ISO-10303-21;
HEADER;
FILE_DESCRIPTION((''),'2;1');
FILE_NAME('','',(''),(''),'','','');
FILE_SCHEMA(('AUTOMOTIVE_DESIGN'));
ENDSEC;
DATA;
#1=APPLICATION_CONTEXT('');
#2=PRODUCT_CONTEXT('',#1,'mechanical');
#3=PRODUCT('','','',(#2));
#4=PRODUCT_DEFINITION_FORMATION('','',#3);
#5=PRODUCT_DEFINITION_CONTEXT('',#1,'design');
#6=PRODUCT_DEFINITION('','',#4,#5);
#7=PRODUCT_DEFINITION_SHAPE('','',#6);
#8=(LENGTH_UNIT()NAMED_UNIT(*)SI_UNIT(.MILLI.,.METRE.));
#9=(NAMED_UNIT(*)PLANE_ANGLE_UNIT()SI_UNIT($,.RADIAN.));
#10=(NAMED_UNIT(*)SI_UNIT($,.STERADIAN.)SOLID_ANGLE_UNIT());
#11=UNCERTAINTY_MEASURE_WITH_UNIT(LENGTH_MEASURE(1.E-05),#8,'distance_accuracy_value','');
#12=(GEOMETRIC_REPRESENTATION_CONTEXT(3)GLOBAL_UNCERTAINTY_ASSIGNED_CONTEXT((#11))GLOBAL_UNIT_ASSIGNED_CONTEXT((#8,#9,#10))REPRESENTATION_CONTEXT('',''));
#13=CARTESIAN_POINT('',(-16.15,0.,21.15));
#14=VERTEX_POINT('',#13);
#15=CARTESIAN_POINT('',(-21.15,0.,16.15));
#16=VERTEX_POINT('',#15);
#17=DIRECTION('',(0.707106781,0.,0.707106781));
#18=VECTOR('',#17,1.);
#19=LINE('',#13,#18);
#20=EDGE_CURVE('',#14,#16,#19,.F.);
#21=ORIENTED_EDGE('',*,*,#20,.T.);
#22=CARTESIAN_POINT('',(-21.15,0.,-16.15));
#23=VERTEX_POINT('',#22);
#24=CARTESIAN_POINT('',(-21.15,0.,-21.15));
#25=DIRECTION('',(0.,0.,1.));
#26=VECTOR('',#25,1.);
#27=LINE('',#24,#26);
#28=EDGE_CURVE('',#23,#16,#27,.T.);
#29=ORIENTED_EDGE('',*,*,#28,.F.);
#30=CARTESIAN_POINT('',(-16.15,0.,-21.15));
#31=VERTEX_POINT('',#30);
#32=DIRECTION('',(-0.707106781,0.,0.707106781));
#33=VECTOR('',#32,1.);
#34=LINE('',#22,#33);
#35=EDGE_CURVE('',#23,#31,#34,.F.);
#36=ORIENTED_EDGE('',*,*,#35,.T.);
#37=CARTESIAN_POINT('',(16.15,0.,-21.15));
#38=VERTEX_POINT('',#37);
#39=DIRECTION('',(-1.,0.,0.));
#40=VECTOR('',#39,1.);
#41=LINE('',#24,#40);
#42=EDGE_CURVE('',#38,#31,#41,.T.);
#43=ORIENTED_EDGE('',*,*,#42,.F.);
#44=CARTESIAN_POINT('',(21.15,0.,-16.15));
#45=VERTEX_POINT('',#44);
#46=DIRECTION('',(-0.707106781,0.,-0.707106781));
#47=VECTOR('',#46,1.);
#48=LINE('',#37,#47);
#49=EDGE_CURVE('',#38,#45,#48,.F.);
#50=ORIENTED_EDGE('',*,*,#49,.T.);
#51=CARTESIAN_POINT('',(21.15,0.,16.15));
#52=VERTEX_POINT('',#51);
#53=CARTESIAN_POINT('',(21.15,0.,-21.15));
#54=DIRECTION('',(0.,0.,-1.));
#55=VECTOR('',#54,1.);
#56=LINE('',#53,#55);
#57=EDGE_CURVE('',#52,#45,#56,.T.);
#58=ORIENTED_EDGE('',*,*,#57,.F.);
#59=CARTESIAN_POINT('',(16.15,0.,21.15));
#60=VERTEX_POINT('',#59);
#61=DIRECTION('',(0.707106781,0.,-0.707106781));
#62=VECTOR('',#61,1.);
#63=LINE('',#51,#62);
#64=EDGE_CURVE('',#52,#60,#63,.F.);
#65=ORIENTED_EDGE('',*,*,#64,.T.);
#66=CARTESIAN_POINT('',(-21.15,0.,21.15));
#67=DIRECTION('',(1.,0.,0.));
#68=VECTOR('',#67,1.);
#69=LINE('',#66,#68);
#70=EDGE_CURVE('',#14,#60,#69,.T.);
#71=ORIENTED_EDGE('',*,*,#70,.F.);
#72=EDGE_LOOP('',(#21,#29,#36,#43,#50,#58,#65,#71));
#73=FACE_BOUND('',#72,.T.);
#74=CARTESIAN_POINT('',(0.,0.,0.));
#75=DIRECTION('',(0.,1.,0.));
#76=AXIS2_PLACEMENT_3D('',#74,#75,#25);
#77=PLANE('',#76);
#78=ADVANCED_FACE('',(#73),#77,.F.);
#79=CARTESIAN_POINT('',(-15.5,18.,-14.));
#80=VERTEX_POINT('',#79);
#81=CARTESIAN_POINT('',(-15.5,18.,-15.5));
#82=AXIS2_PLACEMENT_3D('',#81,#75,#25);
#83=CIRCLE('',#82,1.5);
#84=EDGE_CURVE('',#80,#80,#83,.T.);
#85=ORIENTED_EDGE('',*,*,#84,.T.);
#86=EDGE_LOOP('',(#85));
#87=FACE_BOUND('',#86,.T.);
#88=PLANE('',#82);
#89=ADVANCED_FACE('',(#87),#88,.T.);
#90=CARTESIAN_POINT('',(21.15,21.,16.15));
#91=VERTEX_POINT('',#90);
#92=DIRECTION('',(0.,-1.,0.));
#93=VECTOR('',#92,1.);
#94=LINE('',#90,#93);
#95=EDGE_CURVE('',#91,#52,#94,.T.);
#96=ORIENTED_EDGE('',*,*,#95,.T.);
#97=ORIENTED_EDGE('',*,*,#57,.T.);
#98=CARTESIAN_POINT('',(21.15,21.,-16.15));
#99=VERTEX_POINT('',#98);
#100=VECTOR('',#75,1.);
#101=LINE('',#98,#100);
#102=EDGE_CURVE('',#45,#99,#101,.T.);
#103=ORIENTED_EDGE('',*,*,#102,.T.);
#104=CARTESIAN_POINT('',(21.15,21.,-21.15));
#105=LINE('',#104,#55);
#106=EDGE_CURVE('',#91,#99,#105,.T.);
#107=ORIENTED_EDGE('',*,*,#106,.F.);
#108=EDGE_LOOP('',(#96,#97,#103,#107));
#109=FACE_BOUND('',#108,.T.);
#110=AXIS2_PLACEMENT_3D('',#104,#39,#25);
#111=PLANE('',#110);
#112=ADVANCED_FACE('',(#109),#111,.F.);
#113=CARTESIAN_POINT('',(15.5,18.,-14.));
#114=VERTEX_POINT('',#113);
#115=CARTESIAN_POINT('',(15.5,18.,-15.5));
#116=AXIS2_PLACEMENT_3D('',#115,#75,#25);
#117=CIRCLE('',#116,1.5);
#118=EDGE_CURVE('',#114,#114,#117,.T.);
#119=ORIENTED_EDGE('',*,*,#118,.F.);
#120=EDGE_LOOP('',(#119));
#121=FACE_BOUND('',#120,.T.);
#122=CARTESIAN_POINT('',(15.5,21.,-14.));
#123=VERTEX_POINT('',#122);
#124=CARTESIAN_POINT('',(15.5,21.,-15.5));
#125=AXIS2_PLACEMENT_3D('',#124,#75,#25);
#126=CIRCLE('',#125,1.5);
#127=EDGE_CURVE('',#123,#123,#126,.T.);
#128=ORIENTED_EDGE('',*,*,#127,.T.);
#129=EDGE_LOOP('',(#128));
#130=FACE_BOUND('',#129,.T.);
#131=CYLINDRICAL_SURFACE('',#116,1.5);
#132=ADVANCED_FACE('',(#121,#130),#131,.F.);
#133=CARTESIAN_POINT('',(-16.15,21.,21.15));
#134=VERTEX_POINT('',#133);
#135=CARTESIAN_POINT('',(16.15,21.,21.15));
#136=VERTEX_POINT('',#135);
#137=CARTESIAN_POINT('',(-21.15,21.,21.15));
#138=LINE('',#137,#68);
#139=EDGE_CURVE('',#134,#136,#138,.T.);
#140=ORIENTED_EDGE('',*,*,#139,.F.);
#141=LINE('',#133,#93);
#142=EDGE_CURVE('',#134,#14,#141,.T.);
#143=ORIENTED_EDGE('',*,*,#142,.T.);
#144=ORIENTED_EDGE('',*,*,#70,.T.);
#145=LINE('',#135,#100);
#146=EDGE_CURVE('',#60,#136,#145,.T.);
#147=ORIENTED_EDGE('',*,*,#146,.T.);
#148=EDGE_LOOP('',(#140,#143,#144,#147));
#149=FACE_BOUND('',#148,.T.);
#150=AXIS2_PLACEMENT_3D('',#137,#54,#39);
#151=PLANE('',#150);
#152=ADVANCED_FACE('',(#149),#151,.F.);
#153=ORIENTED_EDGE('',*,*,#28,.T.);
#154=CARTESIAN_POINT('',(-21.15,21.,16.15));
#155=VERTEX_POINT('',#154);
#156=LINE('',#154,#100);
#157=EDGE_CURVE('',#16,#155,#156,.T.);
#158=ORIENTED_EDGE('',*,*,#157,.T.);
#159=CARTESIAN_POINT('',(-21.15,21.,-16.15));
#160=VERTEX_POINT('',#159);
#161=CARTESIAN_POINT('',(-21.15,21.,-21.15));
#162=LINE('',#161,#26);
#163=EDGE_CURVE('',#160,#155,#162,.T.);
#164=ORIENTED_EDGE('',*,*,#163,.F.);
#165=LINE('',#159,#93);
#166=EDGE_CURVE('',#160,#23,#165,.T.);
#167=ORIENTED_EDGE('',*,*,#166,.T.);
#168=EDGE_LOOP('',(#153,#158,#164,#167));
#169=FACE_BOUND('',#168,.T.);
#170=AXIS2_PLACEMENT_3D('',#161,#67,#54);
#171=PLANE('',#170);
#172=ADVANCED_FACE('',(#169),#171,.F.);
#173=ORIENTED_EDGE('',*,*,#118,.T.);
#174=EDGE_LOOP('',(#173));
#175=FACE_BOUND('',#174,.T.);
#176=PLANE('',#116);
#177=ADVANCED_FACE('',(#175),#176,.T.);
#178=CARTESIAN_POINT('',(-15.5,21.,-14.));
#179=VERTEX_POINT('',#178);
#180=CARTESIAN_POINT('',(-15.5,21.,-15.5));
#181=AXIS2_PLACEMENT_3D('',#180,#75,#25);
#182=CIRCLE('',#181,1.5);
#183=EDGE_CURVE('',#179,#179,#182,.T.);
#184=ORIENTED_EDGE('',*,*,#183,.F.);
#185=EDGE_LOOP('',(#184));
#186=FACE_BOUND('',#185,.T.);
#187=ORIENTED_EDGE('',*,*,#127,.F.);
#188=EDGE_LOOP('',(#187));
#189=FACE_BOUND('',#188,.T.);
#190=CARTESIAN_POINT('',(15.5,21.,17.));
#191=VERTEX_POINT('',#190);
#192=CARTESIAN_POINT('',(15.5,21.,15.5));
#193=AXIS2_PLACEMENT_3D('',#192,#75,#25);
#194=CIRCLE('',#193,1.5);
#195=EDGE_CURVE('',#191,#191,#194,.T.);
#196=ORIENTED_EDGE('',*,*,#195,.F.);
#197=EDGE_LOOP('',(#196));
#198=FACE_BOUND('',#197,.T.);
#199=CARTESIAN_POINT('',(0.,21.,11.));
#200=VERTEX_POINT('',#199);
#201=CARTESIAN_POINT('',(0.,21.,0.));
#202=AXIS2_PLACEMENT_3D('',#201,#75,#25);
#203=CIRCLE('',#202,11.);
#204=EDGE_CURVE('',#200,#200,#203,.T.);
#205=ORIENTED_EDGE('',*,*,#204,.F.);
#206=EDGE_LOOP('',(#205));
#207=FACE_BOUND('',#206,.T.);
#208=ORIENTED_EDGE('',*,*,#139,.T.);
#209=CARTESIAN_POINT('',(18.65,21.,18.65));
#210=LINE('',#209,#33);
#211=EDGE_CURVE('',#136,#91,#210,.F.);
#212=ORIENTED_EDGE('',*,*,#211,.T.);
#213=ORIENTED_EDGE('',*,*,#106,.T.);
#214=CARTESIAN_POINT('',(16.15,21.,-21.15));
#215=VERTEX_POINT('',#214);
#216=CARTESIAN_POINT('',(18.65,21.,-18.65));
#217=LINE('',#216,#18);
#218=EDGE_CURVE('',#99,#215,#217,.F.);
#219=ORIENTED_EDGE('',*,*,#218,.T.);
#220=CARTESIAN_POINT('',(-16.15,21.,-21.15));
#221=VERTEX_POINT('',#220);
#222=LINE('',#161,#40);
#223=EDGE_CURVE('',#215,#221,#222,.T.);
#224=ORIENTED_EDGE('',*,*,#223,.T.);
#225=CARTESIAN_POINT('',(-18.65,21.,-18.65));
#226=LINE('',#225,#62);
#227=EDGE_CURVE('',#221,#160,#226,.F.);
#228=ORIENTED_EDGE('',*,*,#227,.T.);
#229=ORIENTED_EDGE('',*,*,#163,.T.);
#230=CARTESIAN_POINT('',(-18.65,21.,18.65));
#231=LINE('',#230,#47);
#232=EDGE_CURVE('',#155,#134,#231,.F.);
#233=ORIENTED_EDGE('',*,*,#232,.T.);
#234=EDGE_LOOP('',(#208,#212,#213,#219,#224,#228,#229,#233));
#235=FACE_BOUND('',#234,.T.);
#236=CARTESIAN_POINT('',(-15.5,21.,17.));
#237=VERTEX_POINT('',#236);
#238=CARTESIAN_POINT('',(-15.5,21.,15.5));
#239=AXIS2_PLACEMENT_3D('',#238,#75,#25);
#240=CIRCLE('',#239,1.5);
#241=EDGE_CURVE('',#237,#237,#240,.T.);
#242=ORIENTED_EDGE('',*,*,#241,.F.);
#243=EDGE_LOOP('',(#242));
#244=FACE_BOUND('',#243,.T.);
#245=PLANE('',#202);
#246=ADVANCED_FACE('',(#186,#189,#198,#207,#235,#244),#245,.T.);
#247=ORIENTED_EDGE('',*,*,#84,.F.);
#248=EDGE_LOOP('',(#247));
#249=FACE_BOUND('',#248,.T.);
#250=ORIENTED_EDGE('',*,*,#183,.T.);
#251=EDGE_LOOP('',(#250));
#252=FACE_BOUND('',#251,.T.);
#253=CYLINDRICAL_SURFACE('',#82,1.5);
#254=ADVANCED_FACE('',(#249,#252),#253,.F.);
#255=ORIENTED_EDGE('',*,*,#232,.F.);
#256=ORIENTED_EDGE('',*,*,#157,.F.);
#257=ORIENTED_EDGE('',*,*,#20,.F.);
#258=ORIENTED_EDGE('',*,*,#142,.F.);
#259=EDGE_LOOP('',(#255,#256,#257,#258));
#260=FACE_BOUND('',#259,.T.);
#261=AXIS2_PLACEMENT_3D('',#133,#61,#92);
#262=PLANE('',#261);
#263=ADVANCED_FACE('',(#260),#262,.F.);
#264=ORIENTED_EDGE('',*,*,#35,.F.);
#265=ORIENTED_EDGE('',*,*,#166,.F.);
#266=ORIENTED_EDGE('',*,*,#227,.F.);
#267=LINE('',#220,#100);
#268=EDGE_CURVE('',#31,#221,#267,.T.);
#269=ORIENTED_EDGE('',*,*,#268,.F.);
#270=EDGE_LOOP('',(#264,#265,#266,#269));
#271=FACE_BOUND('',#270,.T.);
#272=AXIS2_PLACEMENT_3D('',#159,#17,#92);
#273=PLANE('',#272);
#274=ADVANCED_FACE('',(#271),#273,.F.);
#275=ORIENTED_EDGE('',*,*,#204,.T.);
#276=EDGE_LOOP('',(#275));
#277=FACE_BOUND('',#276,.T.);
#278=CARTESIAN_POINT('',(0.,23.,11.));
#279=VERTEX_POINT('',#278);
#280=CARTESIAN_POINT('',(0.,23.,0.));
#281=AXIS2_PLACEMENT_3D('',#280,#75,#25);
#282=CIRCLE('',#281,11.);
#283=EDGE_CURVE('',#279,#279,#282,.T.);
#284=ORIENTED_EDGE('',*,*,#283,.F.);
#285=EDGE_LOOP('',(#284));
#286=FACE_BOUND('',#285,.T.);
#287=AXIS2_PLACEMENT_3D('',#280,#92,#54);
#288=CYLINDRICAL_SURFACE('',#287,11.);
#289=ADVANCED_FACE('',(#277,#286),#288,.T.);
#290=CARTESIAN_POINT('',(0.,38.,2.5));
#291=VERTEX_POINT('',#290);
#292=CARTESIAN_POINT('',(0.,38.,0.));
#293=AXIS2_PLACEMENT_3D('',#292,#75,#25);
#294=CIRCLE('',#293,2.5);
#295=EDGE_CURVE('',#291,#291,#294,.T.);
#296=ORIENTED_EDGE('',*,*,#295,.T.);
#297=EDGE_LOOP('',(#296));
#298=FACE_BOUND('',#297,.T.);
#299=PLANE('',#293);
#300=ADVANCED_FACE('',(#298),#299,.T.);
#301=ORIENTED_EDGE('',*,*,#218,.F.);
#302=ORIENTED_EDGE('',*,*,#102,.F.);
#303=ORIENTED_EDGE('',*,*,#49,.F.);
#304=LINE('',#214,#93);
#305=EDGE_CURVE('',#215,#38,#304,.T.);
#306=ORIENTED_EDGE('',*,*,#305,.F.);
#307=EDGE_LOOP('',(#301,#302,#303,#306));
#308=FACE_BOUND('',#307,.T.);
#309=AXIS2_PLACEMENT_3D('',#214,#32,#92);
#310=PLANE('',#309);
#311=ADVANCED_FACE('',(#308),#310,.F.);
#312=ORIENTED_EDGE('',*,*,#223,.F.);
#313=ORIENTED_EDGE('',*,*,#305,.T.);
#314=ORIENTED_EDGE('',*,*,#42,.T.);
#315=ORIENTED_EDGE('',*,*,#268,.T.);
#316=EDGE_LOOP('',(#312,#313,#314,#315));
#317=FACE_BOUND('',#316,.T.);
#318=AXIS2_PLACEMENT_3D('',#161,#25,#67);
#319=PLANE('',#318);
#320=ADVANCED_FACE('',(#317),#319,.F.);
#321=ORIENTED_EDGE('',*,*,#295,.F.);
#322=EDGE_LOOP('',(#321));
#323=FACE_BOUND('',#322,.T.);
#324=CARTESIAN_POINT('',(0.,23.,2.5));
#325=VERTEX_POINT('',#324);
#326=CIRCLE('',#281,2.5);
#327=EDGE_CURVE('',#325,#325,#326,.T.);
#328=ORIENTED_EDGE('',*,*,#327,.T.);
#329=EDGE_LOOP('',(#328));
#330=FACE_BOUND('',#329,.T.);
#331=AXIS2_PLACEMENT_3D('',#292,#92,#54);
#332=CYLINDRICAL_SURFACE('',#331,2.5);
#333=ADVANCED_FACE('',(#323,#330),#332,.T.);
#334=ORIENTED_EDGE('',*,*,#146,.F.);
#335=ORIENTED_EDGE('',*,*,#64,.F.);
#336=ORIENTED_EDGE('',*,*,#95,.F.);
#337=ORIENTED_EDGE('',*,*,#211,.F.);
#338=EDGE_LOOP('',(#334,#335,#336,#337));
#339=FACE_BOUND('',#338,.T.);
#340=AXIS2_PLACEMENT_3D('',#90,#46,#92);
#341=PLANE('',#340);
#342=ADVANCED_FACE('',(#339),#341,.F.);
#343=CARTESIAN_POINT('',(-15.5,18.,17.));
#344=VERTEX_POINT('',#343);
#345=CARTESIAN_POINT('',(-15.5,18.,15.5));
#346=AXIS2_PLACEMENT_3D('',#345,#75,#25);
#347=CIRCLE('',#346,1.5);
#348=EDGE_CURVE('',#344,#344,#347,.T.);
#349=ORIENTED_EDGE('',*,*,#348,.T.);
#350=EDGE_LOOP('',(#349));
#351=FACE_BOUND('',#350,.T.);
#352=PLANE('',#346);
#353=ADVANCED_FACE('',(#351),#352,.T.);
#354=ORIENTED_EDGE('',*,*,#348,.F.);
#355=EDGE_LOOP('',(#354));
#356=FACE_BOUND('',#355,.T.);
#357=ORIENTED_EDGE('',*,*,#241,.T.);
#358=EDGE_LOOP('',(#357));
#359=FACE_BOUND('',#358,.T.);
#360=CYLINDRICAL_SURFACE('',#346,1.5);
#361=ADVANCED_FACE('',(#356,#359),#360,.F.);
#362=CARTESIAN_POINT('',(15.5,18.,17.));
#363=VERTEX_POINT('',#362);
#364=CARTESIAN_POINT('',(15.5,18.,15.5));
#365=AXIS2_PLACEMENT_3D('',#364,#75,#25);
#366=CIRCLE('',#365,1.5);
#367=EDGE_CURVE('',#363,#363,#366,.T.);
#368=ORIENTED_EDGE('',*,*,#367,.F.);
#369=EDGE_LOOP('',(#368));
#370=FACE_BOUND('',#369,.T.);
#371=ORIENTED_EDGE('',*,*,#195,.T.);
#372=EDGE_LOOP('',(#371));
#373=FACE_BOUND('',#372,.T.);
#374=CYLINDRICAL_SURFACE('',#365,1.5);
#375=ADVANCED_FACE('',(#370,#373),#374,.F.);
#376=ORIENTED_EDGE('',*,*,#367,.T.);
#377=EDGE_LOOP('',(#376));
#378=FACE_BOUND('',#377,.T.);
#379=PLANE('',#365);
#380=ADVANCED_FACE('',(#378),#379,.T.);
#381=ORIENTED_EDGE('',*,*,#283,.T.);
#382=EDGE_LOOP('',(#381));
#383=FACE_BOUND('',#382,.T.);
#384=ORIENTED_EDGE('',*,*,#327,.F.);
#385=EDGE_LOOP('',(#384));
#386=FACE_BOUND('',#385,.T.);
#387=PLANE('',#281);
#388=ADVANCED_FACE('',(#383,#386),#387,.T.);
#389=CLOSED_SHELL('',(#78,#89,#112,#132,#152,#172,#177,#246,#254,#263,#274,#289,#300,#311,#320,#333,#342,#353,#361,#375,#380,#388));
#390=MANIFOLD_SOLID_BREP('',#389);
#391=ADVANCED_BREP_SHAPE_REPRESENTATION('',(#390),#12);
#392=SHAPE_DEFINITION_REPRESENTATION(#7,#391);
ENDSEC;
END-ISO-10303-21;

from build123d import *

# Parameters (mm, degrees)
SKETCH1_W           = 42.3
SKETCH1_H           = 42.3
BOSS_EXTRUDE1_DEPTH = 21
CHAMFER1_SIZE       = 5
SKETCH2_R           = 1.5
CUT_EXTRUDE1_DEPTH  = 3
SKETCH3_R           = 11
BOSS_EXTRUDE2_DEPTH = 2
SKETCH4_R           = 2.5
BOSS_EXTRUDE3_DEPTH = 15


with BuildPart() as part:
    # Sketch1 → Boss-Extrude1 (new body)
    with BuildSketch(Plane(origin=(0, 0, 0), x_dir=(1, 0, 0), z_dir=(0, 1, 0))):
        Rectangle(SKETCH1_W, SKETCH1_H)
    extrude(amount=BOSS_EXTRUDE1_DEPTH)

    # Chamfer1
    chamfer1_edges = [part.edges().sort_by_distance(p)[0] for p in [
        (21.15, 10.5, 21.15),
        (-21.15, 10.5, 21.15),
        (-21.15, 10.5, -21.15),
        (21.15, 10.5, -21.15),
    ]]
    chamfer(chamfer1_edges, length=CHAMFER1_SIZE)

    # Sketch2 → Cut-Extrude1 (cut)
    with BuildSketch(Plane(origin=(0, 21, 0), x_dir=(1, 0, 0), z_dir=(0, 1, 0))):
        with Locations((15.5, -15.5)):
            Circle(SKETCH2_R)
        with Locations((15.5, 15.5)):
            Circle(SKETCH2_R)
        with Locations((-15.5, 15.5)):
            Circle(SKETCH2_R)
        with Locations((-15.5, -15.5)):
            Circle(SKETCH2_R)
    extrude(amount=-CUT_EXTRUDE1_DEPTH, mode=Mode.SUBTRACT)

    # Sketch3 → Boss-Extrude2 (add)
    with BuildSketch(Plane(origin=(0, 21, 0), x_dir=(1, 0, 0), z_dir=(0, 1, 0))):
        Circle(SKETCH3_R)
    extrude(amount=BOSS_EXTRUDE2_DEPTH)

    # Sketch4 → Boss-Extrude3 (add)
    with BuildSketch(Plane(origin=(0, 23, 0), x_dir=(1, 0, 0), z_dir=(0, 1, 0))):
        Circle(SKETCH4_R)
    extrude(amount=BOSS_EXTRUDE3_DEPTH)


solid = part.part
